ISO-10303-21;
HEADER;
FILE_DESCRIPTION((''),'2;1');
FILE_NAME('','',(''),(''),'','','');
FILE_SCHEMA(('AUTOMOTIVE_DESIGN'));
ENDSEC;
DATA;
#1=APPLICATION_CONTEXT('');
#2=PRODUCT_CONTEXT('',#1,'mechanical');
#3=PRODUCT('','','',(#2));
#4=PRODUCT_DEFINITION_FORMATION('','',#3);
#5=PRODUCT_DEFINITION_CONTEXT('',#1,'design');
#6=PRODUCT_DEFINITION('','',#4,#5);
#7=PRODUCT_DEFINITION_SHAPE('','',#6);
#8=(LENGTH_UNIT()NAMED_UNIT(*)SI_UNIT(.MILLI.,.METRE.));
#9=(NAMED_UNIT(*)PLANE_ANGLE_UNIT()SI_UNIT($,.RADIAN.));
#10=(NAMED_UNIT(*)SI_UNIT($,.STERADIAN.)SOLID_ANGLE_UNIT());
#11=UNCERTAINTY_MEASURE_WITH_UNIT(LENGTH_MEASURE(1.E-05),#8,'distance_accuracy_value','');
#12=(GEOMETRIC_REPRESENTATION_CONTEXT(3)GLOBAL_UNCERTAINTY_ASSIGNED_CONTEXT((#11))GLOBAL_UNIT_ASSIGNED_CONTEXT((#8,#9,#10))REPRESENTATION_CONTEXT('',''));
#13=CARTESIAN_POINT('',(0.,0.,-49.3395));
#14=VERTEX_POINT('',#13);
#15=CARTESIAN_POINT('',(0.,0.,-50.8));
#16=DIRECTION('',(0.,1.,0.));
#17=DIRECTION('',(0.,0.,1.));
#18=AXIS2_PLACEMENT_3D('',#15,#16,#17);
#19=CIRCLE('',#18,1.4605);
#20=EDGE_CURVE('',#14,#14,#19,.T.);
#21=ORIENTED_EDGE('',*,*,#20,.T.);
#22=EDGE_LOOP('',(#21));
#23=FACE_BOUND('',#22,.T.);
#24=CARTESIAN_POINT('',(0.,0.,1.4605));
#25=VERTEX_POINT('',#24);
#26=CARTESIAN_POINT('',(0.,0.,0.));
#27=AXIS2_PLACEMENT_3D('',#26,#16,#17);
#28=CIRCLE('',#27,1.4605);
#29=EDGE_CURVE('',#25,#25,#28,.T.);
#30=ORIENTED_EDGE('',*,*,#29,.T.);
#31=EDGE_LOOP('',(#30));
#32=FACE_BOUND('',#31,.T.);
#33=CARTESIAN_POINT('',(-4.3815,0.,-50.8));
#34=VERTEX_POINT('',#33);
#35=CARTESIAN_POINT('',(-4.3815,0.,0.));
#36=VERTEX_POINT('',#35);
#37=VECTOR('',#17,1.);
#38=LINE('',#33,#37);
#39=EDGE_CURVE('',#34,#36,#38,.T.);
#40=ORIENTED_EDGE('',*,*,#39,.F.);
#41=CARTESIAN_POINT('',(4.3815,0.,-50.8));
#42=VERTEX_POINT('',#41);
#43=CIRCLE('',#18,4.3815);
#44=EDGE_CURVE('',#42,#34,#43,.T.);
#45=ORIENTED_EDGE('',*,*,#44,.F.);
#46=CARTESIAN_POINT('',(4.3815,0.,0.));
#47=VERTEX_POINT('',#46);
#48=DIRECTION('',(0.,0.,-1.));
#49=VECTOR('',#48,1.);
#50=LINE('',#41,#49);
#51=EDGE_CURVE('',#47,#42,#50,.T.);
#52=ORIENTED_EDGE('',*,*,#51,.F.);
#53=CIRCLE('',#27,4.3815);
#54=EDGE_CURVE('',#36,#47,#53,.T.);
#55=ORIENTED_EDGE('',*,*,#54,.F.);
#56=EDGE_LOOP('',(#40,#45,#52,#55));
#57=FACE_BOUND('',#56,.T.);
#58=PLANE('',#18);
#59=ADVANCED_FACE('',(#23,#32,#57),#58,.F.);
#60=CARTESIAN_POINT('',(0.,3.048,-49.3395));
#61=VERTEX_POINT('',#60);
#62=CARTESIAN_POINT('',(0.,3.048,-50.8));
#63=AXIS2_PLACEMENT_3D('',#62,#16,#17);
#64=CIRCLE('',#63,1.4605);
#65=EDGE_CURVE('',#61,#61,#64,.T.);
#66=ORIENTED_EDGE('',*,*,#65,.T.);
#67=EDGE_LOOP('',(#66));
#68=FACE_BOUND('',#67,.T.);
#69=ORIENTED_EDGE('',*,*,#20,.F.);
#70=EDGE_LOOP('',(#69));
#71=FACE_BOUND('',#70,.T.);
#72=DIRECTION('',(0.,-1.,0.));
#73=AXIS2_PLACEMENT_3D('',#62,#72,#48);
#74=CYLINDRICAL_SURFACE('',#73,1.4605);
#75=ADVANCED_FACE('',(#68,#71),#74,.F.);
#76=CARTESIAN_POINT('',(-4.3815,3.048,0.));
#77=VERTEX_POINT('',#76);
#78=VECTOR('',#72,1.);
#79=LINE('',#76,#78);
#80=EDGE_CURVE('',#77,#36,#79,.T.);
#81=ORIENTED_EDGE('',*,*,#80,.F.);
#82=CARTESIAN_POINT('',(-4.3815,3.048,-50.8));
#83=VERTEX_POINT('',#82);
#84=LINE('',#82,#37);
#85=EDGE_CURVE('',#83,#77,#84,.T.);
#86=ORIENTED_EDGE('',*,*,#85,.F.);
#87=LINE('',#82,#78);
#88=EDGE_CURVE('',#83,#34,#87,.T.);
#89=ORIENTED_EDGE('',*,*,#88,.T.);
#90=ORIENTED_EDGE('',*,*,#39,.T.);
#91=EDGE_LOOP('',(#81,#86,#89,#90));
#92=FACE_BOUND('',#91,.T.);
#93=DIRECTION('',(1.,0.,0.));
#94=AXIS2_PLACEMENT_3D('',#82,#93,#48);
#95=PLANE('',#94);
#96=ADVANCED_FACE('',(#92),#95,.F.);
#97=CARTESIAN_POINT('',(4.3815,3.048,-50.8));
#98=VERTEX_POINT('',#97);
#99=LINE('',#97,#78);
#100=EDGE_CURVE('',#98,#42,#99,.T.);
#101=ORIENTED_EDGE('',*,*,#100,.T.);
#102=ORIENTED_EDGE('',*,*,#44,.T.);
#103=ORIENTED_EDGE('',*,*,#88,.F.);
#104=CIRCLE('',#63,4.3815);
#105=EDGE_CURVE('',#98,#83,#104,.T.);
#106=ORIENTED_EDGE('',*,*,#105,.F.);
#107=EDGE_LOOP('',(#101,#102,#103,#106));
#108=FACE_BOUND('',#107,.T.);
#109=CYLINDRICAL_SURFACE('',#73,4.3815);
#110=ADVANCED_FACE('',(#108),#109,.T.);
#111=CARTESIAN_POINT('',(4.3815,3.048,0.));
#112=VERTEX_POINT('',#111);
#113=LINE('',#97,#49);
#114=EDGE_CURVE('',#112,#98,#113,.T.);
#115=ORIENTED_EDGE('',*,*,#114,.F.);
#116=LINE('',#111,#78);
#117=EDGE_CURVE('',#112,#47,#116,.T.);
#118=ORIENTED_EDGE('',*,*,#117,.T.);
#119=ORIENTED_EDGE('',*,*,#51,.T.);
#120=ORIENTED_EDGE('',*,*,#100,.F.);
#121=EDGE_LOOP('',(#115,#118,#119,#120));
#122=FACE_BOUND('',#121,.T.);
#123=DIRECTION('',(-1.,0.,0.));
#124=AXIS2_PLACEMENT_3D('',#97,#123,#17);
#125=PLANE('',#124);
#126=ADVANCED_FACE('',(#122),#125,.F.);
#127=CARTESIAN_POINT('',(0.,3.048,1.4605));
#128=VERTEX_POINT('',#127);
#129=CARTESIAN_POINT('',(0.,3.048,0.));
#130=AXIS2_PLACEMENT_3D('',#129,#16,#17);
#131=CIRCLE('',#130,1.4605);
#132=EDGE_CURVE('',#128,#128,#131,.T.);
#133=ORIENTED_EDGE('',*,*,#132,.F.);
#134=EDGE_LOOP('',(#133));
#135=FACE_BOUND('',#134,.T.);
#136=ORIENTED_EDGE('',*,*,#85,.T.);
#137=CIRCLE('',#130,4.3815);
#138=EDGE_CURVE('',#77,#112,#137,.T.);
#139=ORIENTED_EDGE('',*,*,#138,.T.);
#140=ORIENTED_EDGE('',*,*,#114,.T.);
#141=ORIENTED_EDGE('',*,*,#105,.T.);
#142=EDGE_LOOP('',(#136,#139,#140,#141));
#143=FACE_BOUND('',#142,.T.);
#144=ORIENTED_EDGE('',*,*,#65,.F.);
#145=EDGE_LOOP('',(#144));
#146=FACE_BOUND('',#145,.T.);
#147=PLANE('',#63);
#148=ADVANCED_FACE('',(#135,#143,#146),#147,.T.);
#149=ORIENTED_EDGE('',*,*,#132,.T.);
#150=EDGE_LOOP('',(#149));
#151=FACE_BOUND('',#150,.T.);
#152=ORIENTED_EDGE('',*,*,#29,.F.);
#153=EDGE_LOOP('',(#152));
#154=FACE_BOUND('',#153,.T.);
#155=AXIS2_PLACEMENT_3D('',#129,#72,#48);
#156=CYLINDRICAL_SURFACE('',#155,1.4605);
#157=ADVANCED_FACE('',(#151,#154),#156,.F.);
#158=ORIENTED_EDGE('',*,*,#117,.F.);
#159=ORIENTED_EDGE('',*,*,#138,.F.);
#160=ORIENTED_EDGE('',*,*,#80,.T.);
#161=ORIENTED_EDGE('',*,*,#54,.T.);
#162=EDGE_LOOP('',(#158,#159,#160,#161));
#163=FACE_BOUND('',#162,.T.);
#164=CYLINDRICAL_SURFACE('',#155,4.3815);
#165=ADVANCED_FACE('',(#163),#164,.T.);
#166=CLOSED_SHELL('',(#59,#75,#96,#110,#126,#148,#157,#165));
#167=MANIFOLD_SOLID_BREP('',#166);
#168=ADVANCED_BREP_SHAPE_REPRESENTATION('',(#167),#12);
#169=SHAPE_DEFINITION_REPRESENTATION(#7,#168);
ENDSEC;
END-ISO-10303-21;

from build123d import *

# Parameters (mm, degrees)
SKETCH1_R           = 1.4605
BOSS_EXTRUDE1_DEPTH = 3.048


with BuildPart() as part:
    # Sketch1 → Boss-Extrude1 (new body)
    with BuildSketch(Plane(origin=(0, 0, 0), x_dir=(1, 0, 0), z_dir=(0, 1, 0))):
        with BuildLine():
            Line((-4.3815, 50.8), (-4.3815, 0))
            ThreePointArc((-4.3815, 0), (0, -4.3815), (4.3815, 0))
            Line((4.3815, 0), (4.3815, 50.8))
            ThreePointArc((4.3815, 50.8), (0, 55.1815), (-4.3815, 50.8))
        make_face()
        Circle(SKETCH1_R, mode=Mode.SUBTRACT)
        with Locations((0, 50.8)):
            Circle(SKETCH1_R, mode=Mode.SUBTRACT)
    extrude(amount=BOSS_EXTRUDE1_DEPTH)


solid = part.part
